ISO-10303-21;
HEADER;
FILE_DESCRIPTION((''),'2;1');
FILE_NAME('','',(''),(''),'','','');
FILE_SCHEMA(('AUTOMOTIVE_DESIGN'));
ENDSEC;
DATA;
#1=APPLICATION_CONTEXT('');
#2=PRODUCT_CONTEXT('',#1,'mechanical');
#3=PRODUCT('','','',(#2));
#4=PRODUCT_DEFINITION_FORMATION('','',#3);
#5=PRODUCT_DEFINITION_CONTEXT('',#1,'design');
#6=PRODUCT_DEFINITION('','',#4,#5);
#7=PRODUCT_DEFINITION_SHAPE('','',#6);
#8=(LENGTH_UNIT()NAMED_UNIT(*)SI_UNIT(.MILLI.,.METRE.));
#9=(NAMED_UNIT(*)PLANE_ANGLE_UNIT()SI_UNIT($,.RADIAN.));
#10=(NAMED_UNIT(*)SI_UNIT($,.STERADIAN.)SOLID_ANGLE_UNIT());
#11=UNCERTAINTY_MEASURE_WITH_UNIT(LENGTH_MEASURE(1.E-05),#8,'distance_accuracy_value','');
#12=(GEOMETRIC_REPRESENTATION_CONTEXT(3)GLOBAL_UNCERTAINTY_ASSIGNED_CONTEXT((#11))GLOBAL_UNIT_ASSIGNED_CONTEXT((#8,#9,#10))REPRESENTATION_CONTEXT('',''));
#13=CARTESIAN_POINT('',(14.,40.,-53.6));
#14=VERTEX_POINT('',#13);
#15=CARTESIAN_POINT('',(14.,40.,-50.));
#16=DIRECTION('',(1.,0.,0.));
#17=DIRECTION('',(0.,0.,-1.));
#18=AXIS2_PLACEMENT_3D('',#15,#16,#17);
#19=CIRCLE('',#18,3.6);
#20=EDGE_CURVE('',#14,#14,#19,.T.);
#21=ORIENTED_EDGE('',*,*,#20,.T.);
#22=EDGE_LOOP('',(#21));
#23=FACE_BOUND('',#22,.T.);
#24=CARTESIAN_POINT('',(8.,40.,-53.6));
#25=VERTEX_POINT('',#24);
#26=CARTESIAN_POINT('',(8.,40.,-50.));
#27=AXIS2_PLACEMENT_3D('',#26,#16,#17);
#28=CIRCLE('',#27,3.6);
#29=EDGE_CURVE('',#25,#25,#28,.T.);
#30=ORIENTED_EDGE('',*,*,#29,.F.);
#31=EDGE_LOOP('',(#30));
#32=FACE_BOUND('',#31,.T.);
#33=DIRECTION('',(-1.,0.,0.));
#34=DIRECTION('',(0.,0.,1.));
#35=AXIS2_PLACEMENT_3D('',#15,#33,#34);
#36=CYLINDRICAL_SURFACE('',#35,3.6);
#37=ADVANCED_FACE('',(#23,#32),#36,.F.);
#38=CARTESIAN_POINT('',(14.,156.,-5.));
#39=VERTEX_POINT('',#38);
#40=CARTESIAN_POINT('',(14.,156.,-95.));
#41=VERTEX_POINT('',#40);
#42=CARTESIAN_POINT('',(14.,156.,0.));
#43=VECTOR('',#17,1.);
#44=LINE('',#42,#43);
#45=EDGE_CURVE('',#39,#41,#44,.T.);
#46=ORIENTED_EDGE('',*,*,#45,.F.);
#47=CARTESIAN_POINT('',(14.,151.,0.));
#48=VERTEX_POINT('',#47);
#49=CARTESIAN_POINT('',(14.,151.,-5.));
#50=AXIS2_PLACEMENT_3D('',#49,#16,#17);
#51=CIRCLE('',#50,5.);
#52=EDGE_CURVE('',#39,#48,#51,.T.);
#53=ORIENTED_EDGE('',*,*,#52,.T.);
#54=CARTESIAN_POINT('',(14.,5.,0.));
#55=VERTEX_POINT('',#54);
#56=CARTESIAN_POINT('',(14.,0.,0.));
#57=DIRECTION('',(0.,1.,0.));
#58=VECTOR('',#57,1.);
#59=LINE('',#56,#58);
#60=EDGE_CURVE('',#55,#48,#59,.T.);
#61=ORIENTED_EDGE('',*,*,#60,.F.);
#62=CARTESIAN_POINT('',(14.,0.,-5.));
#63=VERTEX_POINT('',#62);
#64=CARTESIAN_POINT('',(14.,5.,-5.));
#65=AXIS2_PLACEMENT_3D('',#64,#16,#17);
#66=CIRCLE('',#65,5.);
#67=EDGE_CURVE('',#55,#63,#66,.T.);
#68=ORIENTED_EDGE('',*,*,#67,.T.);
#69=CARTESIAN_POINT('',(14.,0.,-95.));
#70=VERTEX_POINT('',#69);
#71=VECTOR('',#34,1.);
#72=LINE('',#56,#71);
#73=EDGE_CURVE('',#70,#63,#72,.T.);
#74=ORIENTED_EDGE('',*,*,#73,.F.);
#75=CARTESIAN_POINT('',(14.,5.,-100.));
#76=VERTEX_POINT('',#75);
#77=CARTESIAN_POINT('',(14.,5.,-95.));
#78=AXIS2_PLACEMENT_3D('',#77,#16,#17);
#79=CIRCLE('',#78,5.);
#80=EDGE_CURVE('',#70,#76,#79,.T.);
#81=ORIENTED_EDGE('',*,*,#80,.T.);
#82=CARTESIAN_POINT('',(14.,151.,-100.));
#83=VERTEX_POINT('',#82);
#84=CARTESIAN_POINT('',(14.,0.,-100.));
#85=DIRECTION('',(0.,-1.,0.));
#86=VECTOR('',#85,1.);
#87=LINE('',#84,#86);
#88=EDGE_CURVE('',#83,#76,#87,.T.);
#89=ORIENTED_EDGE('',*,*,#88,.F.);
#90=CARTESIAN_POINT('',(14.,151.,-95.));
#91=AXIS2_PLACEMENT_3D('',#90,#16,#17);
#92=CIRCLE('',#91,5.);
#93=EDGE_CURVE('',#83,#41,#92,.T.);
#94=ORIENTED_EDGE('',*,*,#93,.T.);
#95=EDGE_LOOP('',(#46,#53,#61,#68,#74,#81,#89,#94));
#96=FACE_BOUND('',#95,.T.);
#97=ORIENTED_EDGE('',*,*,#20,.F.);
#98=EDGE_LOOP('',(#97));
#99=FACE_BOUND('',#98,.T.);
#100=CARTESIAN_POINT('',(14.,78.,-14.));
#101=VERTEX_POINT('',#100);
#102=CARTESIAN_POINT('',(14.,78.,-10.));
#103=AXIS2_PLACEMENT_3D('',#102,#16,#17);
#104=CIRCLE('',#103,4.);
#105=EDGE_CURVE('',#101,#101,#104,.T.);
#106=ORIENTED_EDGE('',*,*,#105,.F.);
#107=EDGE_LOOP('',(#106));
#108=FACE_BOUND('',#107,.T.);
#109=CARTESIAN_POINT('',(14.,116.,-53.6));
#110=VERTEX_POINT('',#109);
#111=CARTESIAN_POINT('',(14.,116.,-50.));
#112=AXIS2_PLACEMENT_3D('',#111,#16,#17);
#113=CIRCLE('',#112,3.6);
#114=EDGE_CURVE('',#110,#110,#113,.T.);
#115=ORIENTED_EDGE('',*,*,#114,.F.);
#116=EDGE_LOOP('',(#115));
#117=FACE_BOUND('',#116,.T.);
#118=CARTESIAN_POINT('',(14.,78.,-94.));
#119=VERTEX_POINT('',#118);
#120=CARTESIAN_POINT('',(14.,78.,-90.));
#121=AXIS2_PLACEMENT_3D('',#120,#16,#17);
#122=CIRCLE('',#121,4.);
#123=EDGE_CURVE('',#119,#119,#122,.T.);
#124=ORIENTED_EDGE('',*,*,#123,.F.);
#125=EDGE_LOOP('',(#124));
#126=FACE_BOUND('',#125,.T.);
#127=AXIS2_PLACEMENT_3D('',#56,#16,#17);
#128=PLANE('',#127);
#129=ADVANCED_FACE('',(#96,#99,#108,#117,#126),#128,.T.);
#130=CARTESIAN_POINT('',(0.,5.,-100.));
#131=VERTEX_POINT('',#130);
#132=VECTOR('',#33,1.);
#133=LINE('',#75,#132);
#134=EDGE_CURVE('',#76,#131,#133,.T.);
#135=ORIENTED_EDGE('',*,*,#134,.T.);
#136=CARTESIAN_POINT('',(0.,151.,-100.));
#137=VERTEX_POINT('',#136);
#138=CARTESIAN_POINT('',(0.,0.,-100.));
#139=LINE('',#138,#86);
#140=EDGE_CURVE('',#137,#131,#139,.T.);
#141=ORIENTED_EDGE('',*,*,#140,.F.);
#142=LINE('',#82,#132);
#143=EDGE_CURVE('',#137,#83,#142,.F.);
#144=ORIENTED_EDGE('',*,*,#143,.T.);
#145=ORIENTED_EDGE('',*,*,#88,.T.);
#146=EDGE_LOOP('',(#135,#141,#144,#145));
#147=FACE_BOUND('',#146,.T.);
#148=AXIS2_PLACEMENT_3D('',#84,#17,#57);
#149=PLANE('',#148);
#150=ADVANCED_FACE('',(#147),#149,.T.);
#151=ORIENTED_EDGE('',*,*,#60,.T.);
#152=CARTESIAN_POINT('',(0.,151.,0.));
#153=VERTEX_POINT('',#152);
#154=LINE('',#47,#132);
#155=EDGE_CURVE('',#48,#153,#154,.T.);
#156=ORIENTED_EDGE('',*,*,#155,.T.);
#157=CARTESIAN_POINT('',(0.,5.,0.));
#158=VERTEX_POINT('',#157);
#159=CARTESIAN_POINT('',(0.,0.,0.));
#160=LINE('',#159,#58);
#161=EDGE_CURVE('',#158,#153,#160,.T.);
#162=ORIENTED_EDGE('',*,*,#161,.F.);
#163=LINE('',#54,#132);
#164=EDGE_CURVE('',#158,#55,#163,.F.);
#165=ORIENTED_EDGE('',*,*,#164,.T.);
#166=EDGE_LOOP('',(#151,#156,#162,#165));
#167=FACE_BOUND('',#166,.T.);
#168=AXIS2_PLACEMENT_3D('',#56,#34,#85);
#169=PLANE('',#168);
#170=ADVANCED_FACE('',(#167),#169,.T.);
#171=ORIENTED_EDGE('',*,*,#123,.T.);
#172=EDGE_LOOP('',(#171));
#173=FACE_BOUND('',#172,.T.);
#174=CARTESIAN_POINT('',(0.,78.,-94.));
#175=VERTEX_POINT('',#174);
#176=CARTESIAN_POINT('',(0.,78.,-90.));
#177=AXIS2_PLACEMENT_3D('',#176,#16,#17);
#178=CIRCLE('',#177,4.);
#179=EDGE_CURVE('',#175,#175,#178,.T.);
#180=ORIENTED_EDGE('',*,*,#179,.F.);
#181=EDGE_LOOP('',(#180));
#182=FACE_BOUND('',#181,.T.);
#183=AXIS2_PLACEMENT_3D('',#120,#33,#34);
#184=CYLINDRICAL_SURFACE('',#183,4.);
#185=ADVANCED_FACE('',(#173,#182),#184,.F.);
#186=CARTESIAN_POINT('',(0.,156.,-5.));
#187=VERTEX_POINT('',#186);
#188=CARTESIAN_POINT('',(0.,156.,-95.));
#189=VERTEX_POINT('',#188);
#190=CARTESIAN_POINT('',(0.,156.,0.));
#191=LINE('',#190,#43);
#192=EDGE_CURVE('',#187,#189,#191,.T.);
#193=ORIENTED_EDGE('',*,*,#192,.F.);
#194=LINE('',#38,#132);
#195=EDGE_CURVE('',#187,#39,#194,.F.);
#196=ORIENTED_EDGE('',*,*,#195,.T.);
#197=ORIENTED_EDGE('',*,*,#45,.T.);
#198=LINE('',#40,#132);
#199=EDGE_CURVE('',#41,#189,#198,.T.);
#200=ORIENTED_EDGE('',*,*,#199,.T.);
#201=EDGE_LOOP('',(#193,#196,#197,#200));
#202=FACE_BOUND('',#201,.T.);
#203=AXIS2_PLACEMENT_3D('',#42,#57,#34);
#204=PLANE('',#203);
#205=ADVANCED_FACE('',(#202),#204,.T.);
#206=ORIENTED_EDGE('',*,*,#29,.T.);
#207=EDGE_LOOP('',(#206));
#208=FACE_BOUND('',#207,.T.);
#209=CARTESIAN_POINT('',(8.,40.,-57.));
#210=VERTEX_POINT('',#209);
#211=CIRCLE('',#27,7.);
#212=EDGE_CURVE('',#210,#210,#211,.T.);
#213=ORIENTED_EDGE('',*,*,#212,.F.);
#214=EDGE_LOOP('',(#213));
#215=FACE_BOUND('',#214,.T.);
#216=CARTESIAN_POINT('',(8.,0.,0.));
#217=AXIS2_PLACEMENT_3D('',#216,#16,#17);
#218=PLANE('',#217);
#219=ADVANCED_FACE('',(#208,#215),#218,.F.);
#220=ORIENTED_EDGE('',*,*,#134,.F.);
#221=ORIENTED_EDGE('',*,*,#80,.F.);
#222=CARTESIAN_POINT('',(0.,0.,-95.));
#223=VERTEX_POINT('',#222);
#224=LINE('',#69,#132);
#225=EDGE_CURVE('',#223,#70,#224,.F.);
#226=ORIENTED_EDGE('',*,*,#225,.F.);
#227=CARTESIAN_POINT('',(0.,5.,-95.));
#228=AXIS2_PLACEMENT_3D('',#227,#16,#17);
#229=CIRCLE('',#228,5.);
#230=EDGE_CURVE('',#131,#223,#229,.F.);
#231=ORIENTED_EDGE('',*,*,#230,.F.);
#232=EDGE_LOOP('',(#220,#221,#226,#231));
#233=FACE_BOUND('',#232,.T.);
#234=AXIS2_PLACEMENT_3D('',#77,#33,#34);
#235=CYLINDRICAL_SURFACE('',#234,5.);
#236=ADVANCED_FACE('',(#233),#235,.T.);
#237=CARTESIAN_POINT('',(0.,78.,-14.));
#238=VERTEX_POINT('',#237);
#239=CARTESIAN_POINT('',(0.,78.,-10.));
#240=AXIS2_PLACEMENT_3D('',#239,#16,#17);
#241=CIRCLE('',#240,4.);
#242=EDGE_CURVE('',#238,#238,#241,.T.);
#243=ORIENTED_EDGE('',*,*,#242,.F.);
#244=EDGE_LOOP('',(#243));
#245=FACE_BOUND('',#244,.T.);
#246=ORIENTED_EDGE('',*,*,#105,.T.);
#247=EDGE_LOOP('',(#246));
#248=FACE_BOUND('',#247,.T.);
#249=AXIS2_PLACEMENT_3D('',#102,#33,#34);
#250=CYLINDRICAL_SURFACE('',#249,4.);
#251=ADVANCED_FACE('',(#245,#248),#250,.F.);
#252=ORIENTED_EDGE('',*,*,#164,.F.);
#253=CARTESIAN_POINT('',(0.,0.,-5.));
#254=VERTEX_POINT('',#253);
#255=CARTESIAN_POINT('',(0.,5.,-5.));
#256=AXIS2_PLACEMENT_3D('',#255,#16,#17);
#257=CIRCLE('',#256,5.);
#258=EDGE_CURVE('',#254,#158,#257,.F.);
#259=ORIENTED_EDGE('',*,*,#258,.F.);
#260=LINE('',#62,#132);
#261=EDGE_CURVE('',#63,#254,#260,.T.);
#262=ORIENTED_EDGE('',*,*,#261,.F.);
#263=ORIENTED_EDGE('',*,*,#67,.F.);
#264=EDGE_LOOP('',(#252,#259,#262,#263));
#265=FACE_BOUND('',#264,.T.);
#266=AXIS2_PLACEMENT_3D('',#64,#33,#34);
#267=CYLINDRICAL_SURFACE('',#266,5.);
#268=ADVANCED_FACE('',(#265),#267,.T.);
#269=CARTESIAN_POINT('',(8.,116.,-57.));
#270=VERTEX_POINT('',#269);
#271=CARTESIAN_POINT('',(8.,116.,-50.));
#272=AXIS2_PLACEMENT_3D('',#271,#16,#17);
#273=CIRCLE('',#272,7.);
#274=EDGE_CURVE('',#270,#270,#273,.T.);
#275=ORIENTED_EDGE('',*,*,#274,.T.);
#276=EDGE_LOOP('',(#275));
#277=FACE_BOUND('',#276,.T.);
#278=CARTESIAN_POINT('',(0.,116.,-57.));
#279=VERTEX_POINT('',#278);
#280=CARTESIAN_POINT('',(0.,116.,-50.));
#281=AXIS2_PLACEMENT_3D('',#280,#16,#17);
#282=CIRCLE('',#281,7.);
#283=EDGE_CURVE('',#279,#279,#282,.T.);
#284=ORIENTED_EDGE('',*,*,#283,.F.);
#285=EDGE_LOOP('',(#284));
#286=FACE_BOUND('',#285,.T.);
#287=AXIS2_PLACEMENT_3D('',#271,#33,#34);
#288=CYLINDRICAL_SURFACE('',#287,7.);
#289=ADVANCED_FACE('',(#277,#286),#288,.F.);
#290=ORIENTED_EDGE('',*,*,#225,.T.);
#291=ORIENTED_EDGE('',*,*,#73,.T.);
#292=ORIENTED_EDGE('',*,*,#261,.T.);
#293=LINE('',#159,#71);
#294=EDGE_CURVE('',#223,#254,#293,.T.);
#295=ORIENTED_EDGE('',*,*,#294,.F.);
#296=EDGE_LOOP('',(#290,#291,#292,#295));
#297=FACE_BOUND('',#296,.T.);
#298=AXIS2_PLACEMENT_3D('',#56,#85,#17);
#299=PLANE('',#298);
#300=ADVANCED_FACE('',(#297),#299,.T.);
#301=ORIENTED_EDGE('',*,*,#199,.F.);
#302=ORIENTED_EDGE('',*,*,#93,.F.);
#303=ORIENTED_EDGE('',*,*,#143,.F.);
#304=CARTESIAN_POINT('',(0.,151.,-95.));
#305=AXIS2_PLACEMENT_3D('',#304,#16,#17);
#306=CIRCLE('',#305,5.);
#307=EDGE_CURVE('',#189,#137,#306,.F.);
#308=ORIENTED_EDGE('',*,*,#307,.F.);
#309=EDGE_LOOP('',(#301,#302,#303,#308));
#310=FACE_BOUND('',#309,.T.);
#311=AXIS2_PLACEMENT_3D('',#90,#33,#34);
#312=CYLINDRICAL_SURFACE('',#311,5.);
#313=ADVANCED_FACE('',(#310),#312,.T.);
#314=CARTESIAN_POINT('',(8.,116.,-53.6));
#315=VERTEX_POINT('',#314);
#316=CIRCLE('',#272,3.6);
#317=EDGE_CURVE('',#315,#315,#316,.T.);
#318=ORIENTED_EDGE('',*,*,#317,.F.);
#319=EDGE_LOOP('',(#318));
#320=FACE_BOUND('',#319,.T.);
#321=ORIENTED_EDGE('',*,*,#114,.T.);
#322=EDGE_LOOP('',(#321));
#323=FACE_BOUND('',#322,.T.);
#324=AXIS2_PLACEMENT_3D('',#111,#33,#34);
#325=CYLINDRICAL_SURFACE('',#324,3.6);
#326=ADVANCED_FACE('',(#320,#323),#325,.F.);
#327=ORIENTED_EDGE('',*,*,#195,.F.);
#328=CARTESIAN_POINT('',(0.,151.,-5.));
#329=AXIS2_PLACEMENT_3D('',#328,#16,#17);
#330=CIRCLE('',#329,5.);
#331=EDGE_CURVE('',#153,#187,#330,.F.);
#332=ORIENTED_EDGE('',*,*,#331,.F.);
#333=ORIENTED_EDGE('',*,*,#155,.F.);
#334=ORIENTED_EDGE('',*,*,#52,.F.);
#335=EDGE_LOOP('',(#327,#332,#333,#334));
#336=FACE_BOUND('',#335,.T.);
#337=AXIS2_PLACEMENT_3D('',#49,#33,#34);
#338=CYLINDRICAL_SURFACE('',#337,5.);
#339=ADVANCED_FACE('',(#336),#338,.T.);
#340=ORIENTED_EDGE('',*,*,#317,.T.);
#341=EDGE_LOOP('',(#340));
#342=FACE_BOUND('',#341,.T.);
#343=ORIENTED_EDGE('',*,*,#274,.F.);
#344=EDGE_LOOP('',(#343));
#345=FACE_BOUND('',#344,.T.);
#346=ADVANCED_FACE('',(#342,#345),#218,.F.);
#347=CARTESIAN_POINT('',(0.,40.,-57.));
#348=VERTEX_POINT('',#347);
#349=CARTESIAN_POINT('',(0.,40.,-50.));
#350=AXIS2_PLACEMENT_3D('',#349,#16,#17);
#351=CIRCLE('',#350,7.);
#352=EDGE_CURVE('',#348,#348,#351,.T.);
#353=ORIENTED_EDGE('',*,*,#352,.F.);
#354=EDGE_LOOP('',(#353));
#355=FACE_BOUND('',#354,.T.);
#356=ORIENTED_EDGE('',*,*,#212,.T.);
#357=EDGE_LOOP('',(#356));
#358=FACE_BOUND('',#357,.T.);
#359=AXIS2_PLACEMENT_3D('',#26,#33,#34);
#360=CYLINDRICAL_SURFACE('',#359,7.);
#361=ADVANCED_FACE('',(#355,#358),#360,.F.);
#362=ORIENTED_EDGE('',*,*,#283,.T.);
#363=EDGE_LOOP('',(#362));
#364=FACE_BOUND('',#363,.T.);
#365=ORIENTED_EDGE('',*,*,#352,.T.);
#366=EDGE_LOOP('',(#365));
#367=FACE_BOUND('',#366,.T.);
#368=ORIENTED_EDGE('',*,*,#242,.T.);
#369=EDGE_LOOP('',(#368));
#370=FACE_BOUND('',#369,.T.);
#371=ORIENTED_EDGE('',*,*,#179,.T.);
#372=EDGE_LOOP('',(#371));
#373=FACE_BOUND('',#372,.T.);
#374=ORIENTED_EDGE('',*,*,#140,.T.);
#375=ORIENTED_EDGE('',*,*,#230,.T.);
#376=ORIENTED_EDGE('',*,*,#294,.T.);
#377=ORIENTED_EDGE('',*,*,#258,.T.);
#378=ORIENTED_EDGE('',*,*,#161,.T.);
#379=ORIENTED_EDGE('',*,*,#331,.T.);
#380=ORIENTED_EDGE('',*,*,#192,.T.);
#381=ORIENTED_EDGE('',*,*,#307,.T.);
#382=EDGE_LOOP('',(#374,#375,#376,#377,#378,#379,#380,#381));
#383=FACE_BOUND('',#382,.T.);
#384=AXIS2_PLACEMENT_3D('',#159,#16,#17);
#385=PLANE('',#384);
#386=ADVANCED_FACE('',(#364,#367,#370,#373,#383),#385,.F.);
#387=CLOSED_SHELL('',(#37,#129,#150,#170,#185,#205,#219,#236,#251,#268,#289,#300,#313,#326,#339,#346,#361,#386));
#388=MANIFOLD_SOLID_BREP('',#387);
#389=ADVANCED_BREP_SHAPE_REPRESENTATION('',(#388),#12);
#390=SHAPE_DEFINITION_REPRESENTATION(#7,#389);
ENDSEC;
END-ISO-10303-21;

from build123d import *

# Parameters (mm, degrees)
SKETCH1_W           = 100
SKETCH1_H           = 156
SKETCH1_R           = 4
SKETCH1_R_2         = 3.6
BOSS_EXTRUDE1_DEPTH = 14
FILLET1_R           = 5
SKETCH1_3_R         = 7
SKETCH1_3_R_2       = 3.6
CUT_EXTRUDE1_DEPTH  = 8


with BuildPart() as part:
    # Sketch1 → Boss-Extrude1 (new body)
    with BuildSketch(Plane(origin=(0, 0, 0), x_dir=(0, 0, -1), z_dir=(1, 0, 0))):
        with Locations((50, 78)):
            Rectangle(SKETCH1_W, SKETCH1_H)
        with Locations((10, 78)):
            Circle(SKETCH1_R, mode=Mode.SUBTRACT)
        with Locations((90, 78)):
            Circle(SKETCH1_R, mode=Mode.SUBTRACT)
        with Locations((50, 40)):
            Circle(SKETCH1_R_2, mode=Mode.SUBTRACT)
        with Locations((50, 116)):
            Circle(SKETCH1_R_2, mode=Mode.SUBTRACT)
    extrude(amount=BOSS_EXTRUDE1_DEPTH)

    # Fillet1
    fillet1_edges = [part.edges().sort_by_distance(p)[0] for p in [
        (7, 156, -100),
        (7, 156, 0),
        (7, 0, 0),
        (7, 0, -100),
    ]]
    fillet(fillet1_edges, radius=FILLET1_R)

    # Sketch1<3> → Cut-Extrude1 (cut)
    # profile 1 of 2: a face of its own
    with BuildSketch(Plane(origin=(0, 0, 0), x_dir=(0, 0, -1), z_dir=(1, 0, 0))):
        with Locations((50, 116)):
            Circle(SKETCH1_3_R)
        with Locations((50, 116)):
            Circle(SKETCH1_3_R_2, mode=Mode.SUBTRACT)
    # profile 2 of 2: a face of its own
    with BuildSketch(Plane(origin=(0, 0, 0), x_dir=(0, 0, -1), z_dir=(1, 0, 0))):
        with Locations((50, 40)):
            Circle(SKETCH1_3_R)
        with Locations((50, 40)):
            Circle(SKETCH1_3_R_2, mode=Mode.SUBTRACT)
    extrude(amount=CUT_EXTRUDE1_DEPTH, mode=Mode.SUBTRACT)


solid = part.part
